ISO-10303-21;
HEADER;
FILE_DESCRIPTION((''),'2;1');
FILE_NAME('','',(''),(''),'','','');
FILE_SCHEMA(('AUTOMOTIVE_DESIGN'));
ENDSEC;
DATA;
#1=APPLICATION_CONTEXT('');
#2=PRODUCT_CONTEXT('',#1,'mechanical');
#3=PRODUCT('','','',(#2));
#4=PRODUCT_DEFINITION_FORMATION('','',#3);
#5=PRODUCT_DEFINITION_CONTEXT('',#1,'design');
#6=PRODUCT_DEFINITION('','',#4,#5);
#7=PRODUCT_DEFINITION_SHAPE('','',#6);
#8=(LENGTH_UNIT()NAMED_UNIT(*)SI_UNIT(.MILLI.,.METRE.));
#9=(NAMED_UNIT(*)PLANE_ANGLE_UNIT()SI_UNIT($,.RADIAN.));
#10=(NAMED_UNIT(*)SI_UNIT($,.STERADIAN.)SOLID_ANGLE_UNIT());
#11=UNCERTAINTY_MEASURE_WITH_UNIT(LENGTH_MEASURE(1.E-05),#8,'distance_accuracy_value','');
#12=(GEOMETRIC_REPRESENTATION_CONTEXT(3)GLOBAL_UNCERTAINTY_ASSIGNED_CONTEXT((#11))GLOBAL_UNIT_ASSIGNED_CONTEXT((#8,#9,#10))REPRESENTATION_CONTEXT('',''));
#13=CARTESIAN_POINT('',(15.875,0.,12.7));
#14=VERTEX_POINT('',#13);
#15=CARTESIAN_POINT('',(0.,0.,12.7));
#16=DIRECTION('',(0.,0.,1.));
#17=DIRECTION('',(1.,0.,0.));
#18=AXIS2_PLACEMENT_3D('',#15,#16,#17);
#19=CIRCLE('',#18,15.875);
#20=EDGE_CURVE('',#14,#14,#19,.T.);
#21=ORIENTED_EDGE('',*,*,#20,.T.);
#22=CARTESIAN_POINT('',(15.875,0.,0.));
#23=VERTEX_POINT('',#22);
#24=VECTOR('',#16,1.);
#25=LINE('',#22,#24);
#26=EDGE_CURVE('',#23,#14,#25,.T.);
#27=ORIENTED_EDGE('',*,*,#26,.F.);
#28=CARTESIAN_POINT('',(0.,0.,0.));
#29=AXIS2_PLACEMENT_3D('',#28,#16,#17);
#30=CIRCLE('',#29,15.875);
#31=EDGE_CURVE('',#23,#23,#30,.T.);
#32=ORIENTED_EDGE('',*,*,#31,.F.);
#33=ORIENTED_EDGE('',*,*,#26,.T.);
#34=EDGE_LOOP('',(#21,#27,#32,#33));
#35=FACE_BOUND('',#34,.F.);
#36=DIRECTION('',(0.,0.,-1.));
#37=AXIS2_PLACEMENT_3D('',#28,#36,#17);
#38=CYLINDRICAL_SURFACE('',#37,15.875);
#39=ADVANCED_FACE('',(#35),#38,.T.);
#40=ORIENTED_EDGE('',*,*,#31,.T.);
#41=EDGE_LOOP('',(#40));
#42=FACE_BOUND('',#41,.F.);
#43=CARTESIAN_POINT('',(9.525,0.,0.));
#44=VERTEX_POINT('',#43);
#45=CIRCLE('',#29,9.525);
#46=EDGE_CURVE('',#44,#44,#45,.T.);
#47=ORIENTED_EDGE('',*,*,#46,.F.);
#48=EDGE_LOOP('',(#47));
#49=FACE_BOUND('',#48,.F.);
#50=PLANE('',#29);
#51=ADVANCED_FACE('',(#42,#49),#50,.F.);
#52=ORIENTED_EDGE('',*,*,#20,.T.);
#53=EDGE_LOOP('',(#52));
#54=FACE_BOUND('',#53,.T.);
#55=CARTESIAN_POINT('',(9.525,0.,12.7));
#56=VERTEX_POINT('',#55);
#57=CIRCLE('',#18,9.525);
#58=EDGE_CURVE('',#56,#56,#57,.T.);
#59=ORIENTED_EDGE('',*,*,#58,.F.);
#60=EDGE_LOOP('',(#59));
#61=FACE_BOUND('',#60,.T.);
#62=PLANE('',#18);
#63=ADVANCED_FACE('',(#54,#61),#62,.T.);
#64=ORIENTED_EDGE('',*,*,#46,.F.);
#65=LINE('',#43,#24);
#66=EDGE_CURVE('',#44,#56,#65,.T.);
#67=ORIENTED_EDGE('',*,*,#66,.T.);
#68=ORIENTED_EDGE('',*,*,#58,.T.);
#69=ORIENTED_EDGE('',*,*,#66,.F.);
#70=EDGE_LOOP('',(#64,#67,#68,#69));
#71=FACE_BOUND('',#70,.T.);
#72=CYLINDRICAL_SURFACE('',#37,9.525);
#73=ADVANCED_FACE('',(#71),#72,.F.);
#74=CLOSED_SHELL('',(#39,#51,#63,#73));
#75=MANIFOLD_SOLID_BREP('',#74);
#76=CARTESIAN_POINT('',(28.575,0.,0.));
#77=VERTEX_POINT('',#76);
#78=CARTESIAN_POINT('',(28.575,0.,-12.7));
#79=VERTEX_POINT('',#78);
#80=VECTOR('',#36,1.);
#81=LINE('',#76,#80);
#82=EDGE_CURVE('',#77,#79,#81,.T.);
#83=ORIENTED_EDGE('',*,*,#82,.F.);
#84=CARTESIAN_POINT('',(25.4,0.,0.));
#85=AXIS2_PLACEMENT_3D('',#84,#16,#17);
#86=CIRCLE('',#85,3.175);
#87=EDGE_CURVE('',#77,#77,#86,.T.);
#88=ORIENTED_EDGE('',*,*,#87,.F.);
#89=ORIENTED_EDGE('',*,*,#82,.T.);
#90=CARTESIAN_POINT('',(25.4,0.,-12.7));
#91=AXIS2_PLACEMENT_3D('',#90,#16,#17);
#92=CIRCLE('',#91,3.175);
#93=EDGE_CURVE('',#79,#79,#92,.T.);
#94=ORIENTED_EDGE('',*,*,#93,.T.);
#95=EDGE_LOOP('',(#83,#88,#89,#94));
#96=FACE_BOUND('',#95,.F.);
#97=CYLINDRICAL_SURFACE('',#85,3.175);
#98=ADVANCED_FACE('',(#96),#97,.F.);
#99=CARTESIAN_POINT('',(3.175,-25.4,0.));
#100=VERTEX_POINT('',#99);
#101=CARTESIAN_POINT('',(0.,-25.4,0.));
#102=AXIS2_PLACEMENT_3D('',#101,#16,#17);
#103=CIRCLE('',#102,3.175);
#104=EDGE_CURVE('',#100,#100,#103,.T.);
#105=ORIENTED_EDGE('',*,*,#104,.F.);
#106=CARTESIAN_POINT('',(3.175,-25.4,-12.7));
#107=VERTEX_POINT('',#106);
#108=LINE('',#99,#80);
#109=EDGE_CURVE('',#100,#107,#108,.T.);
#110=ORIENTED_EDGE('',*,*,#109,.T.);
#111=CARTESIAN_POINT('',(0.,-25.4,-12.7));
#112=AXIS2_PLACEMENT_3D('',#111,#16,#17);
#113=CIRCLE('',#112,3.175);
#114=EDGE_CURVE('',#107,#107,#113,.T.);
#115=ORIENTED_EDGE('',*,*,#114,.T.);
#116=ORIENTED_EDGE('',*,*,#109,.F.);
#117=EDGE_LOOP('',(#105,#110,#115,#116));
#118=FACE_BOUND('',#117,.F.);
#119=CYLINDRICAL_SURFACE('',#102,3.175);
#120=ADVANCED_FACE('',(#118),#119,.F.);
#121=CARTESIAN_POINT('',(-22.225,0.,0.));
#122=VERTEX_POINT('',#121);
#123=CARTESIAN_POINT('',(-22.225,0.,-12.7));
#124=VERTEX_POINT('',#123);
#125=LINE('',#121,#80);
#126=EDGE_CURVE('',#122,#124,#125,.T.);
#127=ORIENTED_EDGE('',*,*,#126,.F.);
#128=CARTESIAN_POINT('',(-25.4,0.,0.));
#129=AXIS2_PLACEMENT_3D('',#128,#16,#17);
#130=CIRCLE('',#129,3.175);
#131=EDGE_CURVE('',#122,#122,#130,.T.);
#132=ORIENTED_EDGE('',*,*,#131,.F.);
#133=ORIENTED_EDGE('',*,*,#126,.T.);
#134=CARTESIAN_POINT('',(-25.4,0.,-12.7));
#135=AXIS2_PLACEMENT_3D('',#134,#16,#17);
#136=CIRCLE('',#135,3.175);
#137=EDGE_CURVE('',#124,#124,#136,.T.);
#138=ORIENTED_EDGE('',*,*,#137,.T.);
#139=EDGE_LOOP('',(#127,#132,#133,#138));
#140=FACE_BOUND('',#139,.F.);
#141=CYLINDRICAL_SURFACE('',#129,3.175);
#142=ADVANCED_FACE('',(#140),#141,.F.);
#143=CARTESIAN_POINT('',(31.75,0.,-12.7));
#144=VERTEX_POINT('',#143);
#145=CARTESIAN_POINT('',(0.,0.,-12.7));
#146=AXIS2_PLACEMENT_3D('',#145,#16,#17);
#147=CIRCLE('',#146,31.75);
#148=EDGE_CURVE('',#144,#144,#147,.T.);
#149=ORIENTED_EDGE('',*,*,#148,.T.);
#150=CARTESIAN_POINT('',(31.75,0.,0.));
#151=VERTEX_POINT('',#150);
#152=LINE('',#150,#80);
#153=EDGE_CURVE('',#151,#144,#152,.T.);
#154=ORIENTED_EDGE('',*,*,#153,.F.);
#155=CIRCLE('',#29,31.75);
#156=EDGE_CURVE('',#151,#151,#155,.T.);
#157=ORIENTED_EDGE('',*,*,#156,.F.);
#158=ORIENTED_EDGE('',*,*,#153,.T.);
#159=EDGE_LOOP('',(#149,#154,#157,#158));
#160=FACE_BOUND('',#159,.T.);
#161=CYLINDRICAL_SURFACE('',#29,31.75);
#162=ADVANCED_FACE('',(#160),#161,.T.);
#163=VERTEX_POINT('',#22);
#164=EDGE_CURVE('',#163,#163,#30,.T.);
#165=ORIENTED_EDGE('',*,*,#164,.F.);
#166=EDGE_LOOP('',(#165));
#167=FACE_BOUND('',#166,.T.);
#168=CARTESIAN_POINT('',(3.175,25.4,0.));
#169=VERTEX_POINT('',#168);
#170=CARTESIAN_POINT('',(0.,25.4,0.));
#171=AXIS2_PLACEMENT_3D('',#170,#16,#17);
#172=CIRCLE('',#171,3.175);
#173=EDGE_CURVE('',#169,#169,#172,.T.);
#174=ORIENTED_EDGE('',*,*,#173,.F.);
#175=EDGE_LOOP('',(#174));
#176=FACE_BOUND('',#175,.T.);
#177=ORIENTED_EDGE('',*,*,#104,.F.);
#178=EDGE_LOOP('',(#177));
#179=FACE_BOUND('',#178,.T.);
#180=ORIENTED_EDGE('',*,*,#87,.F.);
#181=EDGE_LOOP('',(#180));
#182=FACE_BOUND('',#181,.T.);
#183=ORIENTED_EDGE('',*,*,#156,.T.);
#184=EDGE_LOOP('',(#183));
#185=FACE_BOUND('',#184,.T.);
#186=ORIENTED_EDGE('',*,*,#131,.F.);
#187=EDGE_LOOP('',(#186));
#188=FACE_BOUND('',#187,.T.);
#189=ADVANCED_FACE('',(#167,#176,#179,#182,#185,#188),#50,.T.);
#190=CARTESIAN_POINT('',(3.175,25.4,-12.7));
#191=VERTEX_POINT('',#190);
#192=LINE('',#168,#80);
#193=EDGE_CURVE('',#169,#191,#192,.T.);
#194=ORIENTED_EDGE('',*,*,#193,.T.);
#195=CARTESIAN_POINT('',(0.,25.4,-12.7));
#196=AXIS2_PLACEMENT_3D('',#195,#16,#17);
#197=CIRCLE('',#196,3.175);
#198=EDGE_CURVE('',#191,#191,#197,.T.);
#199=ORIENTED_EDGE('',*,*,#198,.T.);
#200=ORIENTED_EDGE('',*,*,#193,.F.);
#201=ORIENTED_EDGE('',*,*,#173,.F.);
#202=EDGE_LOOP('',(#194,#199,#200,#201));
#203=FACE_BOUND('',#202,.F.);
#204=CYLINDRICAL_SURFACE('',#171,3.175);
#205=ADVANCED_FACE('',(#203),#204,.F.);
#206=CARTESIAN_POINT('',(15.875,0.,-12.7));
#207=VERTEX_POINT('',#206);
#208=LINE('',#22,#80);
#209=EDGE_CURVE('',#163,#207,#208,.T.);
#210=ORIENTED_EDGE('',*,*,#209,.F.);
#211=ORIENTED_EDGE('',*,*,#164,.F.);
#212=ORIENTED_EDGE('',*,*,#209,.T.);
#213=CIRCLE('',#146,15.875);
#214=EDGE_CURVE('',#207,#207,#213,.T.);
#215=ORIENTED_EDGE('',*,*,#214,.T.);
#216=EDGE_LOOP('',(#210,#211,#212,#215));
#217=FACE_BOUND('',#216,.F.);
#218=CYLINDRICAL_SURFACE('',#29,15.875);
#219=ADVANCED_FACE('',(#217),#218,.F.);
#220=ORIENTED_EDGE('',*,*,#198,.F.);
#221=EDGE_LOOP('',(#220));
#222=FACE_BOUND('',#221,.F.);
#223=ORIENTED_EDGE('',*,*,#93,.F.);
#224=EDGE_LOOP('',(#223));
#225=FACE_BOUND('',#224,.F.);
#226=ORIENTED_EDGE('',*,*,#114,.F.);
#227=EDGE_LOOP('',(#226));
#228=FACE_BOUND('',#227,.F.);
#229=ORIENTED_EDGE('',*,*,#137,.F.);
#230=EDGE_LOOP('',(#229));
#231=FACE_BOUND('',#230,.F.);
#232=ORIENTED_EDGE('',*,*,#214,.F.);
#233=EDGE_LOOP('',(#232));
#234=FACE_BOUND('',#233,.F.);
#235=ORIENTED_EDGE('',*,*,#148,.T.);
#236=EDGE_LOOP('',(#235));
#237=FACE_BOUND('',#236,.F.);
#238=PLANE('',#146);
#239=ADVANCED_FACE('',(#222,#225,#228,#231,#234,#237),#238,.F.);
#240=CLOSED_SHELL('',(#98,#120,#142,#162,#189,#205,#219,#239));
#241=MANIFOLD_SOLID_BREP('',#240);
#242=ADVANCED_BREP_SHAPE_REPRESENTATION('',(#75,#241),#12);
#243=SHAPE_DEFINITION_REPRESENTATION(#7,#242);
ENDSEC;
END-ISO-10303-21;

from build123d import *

# Parameters (mm, degrees)
F0_R     = 31.75
F0_R_2   = 3.175
F0_R_3   = 15.875
F1_DEPTH = 12.7
F0_R_4   = 9.525
F2_DEPTH = 12.7
F3_DEPTH = 12.701


with BuildPart() as f1:
    # F0 (on Top) → F1 (new body)
    with BuildSketch(Plane.XY):
        Circle(F0_R)
        with Locations((0, -25.4)):
            Circle(F0_R_2, mode=Mode.SUBTRACT)
        with Locations((-25.4, 0)):
            Circle(F0_R_2, mode=Mode.SUBTRACT)
        Circle(F0_R_3, mode=Mode.SUBTRACT)
        with Locations((25.4, 0)):
            Circle(F0_R_2, mode=Mode.SUBTRACT)
        with Locations((0, 25.4)):
            Circle(F0_R_2, mode=Mode.SUBTRACT)
    extrude(amount=-F1_DEPTH)

    # F0 (on Top) → F2 (join)
    with BuildSketch(Plane.XY):
        Circle(F0_R_3)
        Circle(F0_R_4, mode=Mode.SUBTRACT)
    extrude(amount=F2_DEPTH)

    # F0 (on Top) → F3 (cut, through all)
    with BuildSketch(Plane.XY):
        Circle(F0_R_4)
    extrude(amount=-F3_DEPTH, mode=Mode.SUBTRACT)


solid = f1.part
